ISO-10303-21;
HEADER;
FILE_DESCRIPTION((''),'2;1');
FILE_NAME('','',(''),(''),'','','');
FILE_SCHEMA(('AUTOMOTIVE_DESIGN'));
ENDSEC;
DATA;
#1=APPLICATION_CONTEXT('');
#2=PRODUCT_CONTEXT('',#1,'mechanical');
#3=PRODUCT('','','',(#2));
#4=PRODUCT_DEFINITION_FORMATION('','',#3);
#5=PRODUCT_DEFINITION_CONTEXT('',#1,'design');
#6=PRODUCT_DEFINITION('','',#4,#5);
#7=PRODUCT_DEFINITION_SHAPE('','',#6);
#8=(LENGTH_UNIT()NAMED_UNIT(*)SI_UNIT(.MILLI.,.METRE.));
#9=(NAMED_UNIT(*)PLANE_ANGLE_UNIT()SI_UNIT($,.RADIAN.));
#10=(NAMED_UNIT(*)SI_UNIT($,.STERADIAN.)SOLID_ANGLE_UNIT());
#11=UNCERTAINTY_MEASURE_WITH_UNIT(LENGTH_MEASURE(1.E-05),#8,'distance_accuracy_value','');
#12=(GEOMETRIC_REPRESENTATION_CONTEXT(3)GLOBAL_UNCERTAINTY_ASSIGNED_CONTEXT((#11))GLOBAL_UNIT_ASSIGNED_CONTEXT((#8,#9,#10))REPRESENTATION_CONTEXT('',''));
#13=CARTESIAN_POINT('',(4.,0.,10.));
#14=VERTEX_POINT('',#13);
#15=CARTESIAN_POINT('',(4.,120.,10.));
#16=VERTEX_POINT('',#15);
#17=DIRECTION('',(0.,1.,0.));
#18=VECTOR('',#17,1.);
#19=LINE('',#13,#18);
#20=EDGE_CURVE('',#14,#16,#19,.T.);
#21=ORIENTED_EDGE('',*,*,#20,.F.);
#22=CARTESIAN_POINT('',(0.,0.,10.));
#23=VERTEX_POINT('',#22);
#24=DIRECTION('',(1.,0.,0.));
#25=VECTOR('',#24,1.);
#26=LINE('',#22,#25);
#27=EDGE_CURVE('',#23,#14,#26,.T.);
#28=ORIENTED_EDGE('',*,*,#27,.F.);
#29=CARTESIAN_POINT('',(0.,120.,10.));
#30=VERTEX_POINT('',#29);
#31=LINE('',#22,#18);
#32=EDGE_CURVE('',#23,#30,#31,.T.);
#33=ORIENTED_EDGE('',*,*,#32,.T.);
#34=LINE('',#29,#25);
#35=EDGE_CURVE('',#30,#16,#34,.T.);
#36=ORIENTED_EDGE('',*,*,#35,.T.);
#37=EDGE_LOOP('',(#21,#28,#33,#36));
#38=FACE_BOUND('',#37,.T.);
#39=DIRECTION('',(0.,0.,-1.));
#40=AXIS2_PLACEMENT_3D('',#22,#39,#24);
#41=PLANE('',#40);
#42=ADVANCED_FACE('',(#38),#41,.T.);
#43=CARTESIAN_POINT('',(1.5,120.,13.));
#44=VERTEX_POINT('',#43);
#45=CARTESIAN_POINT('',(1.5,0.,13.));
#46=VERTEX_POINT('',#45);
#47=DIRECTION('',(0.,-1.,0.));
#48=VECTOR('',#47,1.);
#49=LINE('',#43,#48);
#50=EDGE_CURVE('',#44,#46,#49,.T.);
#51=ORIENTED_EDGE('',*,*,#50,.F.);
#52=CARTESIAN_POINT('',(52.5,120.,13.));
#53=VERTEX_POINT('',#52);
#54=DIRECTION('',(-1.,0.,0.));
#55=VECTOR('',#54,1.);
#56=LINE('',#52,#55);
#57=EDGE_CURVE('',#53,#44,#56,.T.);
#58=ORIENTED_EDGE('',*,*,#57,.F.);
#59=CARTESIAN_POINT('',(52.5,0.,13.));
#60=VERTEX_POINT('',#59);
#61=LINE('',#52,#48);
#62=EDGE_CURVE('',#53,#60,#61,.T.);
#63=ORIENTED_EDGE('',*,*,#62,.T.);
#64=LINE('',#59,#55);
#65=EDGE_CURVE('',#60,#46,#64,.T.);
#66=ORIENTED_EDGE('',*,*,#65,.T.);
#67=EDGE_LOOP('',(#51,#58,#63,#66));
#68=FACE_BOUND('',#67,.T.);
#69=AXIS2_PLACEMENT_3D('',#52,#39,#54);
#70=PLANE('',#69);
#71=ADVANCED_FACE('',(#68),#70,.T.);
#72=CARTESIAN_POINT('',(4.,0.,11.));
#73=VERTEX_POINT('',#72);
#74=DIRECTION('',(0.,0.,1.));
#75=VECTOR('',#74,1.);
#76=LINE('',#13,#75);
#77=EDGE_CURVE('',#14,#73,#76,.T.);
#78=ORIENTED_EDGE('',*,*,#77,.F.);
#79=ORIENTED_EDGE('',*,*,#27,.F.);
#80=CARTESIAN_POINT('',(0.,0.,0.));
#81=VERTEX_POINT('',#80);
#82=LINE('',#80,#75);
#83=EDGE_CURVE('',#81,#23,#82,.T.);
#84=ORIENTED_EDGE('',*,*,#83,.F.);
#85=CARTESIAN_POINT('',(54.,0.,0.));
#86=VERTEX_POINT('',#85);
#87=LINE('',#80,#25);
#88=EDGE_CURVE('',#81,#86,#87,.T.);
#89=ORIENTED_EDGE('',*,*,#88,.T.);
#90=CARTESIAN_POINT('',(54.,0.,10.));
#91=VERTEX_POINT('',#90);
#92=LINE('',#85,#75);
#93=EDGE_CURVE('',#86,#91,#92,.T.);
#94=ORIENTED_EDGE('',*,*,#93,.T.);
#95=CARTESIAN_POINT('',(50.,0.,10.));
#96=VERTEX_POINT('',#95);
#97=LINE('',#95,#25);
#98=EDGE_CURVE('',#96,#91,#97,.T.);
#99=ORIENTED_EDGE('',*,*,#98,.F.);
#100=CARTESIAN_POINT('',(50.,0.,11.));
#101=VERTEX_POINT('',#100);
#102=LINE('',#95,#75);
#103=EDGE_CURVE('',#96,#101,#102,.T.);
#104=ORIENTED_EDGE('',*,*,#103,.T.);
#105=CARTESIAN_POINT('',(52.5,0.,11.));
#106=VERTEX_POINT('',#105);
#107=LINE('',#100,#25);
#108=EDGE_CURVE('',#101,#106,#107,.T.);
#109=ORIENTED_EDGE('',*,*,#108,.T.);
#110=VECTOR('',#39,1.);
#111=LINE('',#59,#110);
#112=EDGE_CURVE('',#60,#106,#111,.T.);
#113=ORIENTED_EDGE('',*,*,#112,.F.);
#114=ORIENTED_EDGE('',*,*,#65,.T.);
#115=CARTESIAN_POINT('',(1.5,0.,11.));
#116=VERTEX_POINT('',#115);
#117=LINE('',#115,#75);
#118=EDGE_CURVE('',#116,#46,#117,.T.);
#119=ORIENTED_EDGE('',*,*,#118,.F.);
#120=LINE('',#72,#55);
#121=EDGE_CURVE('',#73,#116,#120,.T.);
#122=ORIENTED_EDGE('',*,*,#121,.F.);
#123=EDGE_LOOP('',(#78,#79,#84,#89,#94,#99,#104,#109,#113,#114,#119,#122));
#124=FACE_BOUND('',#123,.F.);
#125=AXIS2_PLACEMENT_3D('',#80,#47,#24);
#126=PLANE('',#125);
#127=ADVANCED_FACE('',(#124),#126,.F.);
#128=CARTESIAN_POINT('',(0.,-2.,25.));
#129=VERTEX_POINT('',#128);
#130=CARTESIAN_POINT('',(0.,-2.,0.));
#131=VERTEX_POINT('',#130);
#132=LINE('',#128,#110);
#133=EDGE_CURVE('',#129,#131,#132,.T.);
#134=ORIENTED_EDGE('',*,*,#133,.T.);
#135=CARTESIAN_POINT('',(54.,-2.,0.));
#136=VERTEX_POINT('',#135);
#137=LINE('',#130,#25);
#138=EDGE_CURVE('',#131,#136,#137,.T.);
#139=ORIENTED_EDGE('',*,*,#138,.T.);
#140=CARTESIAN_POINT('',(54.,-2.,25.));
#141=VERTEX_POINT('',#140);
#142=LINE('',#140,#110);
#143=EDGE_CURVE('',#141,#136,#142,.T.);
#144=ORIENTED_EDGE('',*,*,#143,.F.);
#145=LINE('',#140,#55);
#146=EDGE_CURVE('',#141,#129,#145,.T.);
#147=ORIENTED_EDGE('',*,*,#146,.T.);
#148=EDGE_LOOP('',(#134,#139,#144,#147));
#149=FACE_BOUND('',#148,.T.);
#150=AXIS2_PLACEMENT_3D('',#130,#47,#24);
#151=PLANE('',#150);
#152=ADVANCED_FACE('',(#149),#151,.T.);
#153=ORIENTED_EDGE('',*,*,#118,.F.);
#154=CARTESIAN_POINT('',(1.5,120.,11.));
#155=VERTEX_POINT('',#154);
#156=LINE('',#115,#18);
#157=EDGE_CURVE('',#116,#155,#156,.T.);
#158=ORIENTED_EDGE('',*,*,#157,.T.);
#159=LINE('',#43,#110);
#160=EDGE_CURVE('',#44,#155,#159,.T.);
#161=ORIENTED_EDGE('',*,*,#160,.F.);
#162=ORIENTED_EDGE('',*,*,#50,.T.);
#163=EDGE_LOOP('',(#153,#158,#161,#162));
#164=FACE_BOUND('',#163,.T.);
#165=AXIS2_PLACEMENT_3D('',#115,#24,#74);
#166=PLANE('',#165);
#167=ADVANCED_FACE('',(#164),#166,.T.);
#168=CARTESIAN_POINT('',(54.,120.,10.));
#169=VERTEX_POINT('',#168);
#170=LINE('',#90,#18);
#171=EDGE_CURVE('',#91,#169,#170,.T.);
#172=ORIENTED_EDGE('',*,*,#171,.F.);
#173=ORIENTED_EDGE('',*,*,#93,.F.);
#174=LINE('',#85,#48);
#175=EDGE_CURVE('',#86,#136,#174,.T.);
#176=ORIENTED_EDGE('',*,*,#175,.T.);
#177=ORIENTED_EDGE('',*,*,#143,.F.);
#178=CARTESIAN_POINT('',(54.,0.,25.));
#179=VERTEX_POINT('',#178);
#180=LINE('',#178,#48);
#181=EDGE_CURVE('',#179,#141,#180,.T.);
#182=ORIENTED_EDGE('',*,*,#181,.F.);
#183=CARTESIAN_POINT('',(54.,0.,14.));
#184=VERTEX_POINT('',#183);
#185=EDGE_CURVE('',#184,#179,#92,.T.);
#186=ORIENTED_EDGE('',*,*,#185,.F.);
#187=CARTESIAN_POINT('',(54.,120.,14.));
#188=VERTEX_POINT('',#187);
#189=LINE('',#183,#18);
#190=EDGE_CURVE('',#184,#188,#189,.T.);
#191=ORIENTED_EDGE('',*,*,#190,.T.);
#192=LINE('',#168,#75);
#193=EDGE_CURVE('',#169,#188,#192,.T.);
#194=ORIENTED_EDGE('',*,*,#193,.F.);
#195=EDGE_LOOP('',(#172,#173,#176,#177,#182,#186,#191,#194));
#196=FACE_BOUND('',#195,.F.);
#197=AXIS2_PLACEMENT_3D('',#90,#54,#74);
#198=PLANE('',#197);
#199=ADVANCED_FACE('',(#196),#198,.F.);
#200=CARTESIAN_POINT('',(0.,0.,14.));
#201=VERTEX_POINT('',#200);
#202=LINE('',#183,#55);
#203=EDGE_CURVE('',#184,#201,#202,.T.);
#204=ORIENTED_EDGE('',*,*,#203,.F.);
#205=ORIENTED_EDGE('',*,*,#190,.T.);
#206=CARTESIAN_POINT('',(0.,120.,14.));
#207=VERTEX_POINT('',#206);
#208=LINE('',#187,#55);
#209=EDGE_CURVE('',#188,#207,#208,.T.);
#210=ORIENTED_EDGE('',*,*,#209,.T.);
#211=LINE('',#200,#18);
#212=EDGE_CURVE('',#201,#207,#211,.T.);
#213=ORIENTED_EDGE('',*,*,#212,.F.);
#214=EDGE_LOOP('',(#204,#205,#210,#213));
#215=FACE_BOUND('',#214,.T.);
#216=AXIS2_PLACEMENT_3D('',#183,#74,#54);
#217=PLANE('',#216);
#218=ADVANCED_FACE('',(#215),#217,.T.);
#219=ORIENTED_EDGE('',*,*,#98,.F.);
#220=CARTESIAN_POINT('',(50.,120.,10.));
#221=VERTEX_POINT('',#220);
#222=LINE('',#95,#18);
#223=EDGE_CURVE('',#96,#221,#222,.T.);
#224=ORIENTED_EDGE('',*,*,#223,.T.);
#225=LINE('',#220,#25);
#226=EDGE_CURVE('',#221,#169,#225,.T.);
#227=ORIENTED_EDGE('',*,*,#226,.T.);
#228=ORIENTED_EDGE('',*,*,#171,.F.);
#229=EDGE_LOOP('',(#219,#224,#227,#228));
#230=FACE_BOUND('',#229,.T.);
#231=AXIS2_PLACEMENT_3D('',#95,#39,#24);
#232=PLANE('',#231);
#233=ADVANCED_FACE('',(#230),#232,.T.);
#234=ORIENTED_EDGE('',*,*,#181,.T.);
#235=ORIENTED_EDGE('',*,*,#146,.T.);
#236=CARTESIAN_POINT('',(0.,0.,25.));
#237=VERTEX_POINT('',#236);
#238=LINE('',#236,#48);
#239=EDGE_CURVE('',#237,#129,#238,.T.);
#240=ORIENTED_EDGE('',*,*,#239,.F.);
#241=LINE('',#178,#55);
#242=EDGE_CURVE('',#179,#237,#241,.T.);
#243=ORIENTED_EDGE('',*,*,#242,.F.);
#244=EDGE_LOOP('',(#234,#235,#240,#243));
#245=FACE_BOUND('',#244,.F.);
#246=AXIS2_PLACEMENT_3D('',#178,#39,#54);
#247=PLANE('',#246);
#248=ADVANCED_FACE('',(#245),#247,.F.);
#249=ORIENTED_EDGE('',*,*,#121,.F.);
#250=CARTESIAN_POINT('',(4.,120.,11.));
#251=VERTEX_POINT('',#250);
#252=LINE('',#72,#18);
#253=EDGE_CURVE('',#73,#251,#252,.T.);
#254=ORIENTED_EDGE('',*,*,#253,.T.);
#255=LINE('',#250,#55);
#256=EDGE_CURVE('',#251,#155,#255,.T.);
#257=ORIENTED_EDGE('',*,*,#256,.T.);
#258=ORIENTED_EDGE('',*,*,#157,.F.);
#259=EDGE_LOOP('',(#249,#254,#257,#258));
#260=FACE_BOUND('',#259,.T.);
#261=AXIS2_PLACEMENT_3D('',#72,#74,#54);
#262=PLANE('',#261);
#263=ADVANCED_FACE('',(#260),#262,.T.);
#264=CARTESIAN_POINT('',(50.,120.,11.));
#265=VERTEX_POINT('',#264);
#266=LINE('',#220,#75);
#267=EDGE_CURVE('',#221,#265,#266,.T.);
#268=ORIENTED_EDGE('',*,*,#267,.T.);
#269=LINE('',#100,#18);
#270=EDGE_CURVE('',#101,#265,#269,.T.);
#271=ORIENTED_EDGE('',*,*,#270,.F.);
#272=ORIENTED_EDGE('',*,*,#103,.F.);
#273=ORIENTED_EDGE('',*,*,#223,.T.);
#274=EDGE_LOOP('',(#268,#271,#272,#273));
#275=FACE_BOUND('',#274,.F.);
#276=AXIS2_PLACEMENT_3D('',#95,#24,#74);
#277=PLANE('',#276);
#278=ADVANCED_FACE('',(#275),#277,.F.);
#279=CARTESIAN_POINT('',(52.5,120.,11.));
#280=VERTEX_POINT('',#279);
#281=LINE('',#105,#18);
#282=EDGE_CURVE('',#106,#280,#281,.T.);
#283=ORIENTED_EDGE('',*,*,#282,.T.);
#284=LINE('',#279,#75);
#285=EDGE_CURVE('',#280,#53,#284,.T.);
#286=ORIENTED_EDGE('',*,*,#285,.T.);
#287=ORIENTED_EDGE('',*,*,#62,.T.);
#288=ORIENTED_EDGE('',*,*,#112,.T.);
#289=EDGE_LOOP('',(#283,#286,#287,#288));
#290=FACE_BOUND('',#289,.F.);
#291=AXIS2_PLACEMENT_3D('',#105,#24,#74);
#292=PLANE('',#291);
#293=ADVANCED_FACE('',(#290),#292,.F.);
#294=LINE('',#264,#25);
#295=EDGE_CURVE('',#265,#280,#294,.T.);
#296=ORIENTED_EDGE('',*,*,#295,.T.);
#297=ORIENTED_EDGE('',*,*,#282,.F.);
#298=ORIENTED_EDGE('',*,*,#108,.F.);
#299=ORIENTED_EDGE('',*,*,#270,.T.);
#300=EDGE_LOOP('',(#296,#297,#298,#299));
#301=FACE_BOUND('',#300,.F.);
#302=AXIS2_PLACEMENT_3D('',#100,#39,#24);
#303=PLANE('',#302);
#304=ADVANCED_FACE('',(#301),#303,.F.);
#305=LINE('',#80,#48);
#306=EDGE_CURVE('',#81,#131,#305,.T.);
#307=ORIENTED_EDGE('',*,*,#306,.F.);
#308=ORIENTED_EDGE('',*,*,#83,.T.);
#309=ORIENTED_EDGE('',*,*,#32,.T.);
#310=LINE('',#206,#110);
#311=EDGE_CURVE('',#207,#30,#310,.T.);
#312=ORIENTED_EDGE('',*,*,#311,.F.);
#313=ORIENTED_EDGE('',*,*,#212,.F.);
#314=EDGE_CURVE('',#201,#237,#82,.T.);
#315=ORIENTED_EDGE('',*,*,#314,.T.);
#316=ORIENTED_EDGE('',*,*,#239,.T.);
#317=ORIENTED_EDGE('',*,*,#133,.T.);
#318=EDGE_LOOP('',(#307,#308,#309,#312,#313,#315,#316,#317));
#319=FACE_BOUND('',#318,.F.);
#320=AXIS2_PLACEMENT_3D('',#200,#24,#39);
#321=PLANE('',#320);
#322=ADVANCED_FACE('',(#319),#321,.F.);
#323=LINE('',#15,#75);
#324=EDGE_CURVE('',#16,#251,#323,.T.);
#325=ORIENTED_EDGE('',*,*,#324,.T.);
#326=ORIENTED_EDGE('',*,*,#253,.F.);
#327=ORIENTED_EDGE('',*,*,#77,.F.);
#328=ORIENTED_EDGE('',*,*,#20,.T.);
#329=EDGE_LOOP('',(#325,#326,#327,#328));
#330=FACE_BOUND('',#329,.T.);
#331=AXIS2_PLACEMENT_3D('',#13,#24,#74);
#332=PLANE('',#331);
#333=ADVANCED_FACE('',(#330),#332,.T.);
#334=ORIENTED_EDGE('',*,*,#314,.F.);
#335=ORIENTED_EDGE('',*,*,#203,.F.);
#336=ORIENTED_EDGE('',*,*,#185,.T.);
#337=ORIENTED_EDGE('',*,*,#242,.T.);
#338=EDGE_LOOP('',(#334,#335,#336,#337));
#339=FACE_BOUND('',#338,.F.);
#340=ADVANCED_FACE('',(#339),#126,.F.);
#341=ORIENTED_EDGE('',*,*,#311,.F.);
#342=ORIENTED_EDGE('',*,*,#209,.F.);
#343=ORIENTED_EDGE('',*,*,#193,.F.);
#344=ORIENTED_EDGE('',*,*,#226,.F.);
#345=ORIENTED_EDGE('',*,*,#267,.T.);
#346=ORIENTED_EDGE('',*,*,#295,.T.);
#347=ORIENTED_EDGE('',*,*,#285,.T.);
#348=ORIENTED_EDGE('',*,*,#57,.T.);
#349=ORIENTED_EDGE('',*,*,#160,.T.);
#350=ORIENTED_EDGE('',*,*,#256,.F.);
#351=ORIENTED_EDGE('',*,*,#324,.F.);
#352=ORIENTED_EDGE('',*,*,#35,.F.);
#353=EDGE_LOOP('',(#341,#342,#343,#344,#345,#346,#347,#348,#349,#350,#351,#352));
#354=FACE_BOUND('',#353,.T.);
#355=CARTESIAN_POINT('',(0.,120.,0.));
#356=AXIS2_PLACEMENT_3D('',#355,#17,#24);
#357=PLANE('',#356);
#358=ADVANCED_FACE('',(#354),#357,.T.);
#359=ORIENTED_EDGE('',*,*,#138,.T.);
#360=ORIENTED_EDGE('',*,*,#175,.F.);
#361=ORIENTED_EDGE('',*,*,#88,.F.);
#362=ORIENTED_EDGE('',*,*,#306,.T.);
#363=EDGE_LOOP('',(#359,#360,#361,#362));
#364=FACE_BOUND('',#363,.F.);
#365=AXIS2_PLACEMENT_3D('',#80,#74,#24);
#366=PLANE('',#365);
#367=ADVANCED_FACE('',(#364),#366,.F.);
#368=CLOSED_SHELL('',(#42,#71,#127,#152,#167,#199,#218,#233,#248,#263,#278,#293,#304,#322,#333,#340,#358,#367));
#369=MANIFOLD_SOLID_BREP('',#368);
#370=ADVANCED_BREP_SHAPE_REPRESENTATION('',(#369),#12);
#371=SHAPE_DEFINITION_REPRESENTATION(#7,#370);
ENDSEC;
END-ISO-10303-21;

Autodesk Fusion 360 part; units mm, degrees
sketch "Sketch1" plane through (0, 0, 0) normal (0, 1, 0) x (1, 0, 0)
  line L0 (0, -10) -> (54, -10)
  line L1 (54, -10) -> (54, -14)
  line L2 (54, -14) -> (0, -14)
  line L3 (0, -14) -> (0, -10)
  line L4 (0, -10) -> (1.5, -10)
  line L5 (1.5, -11) -> (1.5, -12.5)
  line L6 (1.5, -14) -> (0, -14)
  line L7 (0, -14) -> (0, -10)
  line L8 (54, -10) -> (52.5, -10)
  line L9 (52.5, -11) -> (52.5, -12.5)
  line L10 (52.5, -14) -> (54, -14)
  line L11 (54, -14) -> (54, -10)
  line L12 (1.5, -14) -> (52.5, -14)
  line L13 (52.5, -12.5) -> (1.5, -12.5)
  line L14 (1.5, -10) -> (4, -10)
  line L15 (4, -10) -> (4, -11)
  line L16 (4, -11) -> (1.5, -11)
  line L17 (52.5, -10) -> (50, -10)
  line L18 (50, -10) -> (50, -11)
  line L19 (50, -11) -> (52.5, -11)
  dimension "d1" = 54
  dimension "d2" = 4
  dimension "d3" = 1.5
  dimension "d4" = 1.5
  dimension "d5" = 51
  dimension "d6" = 1.5
extrude "Extrude1" add sketch "Sketch1" along normal blind 120 contours L0 L1 L2 L3 L4 L5 L6 L7 L8 L9 L10 L11 L12 L13 L14 L15 L16 L17 L18 L19
sketch "Sketch2" plane through (0, 0, 0) normal (0, -1, 0) x (1, 0, 0)
  line L0 (54, 14) -> (0, 14)
  line L1 (0, 14) -> (0, 10)
  line L2 (0, 10) -> (4, 10)
  line L3 (4, 10) -> (4, 11)
  line L4 (4, 11) -> (1.5, 11)
  line L5 (1.5, 11) -> (1.5, 12.5)
  line L6 (1.5, 12.5) -> (52.5, 12.5)
  line L7 (52.5, 12.5) -> (52.5, 11)
  line L8 (52.5, 11) -> (50, 11)
  line L9 (50, 11) -> (50, 10)
  line L10 (50, 10) -> (54, 10)
  line L11 (54, 10) -> (54, 14)
  line L12 (0, 0) -> (54, 0)
  line L13 (54, 0) -> (54, 25)
  line L14 (54, 25) -> (0, 25)
  line L15 (0, 25) -> (0, 0)
extrude "Extrude2" add sketch "Sketch2" along normal blind 2
sketch "Sketch3" plane through (0, 120, 0) normal (0, 1, 0) x (-1, 0, 0)
  line L0 (0, 14) -> (-54, 14)
  line L1 (-54, 14) -> (-54, 10)
  line L2 (-54, 10) -> (-50, 10)
  line L3 (-50, 10) -> (-50, 11)
  line L4 (-50, 11) -> (-52.5, 11)
  line L5 (-52.5, 11) -> (-52.5, 12.5)
  line L6 (-52.5, 12.5) -> (-1.5, 12.5)
  line L7 (-1.5, 12.5) -> (-1.5, 11)
  line L8 (-1.5, 11) -> (-4, 11)
  line L9 (-4, 11) -> (-4, 10)
  line L10 (-4, 10) -> (0, 10)
  line L11 (0, 10) -> (0, 14)
  line L12 (-1.5, 12.5) -> (-52.5, 12.5)
  line L13 (-52.5, 12.5) -> (-52.5, 13)
  line L14 (-52.5, 13) -> (-1.5, 13)
  line L15 (-1.5, 13) -> (-1.5, 12.5)
  dimension "d11" = 0.5
extrude "Extrude3" cut sketch "Sketch3" against normal blind 120 contours L6 L12 L13 L14 L15
sketch "Sketch4" plane through (0, 120, 0) normal (0, 1, 0) x (-1, 0, 0)
  line L0 (-1.5, 13) -> (-1.5, 11)
  line L1 (-1.5, 11) -> (-4, 11)
  line L2 (-4, 11) -> (-4, 10)
  line L3 (-4, 10) -> (0, 10)
  line L4 (0, 10) -> (0, 14)
  line L5 (0, 14) -> (-54, 14)
  line L6 (-54, 14) -> (-54, 10)
  line L7 (-54, 10) -> (-50, 10)
  line L8 (-50, 10) -> (-50, 11)
  line L9 (-50, 11) -> (-52.5, 11)
  line L10 (-52.5, 11) -> (-52.5, 13)
  line L11 (-52.5, 13) -> (-1.5, 13)
